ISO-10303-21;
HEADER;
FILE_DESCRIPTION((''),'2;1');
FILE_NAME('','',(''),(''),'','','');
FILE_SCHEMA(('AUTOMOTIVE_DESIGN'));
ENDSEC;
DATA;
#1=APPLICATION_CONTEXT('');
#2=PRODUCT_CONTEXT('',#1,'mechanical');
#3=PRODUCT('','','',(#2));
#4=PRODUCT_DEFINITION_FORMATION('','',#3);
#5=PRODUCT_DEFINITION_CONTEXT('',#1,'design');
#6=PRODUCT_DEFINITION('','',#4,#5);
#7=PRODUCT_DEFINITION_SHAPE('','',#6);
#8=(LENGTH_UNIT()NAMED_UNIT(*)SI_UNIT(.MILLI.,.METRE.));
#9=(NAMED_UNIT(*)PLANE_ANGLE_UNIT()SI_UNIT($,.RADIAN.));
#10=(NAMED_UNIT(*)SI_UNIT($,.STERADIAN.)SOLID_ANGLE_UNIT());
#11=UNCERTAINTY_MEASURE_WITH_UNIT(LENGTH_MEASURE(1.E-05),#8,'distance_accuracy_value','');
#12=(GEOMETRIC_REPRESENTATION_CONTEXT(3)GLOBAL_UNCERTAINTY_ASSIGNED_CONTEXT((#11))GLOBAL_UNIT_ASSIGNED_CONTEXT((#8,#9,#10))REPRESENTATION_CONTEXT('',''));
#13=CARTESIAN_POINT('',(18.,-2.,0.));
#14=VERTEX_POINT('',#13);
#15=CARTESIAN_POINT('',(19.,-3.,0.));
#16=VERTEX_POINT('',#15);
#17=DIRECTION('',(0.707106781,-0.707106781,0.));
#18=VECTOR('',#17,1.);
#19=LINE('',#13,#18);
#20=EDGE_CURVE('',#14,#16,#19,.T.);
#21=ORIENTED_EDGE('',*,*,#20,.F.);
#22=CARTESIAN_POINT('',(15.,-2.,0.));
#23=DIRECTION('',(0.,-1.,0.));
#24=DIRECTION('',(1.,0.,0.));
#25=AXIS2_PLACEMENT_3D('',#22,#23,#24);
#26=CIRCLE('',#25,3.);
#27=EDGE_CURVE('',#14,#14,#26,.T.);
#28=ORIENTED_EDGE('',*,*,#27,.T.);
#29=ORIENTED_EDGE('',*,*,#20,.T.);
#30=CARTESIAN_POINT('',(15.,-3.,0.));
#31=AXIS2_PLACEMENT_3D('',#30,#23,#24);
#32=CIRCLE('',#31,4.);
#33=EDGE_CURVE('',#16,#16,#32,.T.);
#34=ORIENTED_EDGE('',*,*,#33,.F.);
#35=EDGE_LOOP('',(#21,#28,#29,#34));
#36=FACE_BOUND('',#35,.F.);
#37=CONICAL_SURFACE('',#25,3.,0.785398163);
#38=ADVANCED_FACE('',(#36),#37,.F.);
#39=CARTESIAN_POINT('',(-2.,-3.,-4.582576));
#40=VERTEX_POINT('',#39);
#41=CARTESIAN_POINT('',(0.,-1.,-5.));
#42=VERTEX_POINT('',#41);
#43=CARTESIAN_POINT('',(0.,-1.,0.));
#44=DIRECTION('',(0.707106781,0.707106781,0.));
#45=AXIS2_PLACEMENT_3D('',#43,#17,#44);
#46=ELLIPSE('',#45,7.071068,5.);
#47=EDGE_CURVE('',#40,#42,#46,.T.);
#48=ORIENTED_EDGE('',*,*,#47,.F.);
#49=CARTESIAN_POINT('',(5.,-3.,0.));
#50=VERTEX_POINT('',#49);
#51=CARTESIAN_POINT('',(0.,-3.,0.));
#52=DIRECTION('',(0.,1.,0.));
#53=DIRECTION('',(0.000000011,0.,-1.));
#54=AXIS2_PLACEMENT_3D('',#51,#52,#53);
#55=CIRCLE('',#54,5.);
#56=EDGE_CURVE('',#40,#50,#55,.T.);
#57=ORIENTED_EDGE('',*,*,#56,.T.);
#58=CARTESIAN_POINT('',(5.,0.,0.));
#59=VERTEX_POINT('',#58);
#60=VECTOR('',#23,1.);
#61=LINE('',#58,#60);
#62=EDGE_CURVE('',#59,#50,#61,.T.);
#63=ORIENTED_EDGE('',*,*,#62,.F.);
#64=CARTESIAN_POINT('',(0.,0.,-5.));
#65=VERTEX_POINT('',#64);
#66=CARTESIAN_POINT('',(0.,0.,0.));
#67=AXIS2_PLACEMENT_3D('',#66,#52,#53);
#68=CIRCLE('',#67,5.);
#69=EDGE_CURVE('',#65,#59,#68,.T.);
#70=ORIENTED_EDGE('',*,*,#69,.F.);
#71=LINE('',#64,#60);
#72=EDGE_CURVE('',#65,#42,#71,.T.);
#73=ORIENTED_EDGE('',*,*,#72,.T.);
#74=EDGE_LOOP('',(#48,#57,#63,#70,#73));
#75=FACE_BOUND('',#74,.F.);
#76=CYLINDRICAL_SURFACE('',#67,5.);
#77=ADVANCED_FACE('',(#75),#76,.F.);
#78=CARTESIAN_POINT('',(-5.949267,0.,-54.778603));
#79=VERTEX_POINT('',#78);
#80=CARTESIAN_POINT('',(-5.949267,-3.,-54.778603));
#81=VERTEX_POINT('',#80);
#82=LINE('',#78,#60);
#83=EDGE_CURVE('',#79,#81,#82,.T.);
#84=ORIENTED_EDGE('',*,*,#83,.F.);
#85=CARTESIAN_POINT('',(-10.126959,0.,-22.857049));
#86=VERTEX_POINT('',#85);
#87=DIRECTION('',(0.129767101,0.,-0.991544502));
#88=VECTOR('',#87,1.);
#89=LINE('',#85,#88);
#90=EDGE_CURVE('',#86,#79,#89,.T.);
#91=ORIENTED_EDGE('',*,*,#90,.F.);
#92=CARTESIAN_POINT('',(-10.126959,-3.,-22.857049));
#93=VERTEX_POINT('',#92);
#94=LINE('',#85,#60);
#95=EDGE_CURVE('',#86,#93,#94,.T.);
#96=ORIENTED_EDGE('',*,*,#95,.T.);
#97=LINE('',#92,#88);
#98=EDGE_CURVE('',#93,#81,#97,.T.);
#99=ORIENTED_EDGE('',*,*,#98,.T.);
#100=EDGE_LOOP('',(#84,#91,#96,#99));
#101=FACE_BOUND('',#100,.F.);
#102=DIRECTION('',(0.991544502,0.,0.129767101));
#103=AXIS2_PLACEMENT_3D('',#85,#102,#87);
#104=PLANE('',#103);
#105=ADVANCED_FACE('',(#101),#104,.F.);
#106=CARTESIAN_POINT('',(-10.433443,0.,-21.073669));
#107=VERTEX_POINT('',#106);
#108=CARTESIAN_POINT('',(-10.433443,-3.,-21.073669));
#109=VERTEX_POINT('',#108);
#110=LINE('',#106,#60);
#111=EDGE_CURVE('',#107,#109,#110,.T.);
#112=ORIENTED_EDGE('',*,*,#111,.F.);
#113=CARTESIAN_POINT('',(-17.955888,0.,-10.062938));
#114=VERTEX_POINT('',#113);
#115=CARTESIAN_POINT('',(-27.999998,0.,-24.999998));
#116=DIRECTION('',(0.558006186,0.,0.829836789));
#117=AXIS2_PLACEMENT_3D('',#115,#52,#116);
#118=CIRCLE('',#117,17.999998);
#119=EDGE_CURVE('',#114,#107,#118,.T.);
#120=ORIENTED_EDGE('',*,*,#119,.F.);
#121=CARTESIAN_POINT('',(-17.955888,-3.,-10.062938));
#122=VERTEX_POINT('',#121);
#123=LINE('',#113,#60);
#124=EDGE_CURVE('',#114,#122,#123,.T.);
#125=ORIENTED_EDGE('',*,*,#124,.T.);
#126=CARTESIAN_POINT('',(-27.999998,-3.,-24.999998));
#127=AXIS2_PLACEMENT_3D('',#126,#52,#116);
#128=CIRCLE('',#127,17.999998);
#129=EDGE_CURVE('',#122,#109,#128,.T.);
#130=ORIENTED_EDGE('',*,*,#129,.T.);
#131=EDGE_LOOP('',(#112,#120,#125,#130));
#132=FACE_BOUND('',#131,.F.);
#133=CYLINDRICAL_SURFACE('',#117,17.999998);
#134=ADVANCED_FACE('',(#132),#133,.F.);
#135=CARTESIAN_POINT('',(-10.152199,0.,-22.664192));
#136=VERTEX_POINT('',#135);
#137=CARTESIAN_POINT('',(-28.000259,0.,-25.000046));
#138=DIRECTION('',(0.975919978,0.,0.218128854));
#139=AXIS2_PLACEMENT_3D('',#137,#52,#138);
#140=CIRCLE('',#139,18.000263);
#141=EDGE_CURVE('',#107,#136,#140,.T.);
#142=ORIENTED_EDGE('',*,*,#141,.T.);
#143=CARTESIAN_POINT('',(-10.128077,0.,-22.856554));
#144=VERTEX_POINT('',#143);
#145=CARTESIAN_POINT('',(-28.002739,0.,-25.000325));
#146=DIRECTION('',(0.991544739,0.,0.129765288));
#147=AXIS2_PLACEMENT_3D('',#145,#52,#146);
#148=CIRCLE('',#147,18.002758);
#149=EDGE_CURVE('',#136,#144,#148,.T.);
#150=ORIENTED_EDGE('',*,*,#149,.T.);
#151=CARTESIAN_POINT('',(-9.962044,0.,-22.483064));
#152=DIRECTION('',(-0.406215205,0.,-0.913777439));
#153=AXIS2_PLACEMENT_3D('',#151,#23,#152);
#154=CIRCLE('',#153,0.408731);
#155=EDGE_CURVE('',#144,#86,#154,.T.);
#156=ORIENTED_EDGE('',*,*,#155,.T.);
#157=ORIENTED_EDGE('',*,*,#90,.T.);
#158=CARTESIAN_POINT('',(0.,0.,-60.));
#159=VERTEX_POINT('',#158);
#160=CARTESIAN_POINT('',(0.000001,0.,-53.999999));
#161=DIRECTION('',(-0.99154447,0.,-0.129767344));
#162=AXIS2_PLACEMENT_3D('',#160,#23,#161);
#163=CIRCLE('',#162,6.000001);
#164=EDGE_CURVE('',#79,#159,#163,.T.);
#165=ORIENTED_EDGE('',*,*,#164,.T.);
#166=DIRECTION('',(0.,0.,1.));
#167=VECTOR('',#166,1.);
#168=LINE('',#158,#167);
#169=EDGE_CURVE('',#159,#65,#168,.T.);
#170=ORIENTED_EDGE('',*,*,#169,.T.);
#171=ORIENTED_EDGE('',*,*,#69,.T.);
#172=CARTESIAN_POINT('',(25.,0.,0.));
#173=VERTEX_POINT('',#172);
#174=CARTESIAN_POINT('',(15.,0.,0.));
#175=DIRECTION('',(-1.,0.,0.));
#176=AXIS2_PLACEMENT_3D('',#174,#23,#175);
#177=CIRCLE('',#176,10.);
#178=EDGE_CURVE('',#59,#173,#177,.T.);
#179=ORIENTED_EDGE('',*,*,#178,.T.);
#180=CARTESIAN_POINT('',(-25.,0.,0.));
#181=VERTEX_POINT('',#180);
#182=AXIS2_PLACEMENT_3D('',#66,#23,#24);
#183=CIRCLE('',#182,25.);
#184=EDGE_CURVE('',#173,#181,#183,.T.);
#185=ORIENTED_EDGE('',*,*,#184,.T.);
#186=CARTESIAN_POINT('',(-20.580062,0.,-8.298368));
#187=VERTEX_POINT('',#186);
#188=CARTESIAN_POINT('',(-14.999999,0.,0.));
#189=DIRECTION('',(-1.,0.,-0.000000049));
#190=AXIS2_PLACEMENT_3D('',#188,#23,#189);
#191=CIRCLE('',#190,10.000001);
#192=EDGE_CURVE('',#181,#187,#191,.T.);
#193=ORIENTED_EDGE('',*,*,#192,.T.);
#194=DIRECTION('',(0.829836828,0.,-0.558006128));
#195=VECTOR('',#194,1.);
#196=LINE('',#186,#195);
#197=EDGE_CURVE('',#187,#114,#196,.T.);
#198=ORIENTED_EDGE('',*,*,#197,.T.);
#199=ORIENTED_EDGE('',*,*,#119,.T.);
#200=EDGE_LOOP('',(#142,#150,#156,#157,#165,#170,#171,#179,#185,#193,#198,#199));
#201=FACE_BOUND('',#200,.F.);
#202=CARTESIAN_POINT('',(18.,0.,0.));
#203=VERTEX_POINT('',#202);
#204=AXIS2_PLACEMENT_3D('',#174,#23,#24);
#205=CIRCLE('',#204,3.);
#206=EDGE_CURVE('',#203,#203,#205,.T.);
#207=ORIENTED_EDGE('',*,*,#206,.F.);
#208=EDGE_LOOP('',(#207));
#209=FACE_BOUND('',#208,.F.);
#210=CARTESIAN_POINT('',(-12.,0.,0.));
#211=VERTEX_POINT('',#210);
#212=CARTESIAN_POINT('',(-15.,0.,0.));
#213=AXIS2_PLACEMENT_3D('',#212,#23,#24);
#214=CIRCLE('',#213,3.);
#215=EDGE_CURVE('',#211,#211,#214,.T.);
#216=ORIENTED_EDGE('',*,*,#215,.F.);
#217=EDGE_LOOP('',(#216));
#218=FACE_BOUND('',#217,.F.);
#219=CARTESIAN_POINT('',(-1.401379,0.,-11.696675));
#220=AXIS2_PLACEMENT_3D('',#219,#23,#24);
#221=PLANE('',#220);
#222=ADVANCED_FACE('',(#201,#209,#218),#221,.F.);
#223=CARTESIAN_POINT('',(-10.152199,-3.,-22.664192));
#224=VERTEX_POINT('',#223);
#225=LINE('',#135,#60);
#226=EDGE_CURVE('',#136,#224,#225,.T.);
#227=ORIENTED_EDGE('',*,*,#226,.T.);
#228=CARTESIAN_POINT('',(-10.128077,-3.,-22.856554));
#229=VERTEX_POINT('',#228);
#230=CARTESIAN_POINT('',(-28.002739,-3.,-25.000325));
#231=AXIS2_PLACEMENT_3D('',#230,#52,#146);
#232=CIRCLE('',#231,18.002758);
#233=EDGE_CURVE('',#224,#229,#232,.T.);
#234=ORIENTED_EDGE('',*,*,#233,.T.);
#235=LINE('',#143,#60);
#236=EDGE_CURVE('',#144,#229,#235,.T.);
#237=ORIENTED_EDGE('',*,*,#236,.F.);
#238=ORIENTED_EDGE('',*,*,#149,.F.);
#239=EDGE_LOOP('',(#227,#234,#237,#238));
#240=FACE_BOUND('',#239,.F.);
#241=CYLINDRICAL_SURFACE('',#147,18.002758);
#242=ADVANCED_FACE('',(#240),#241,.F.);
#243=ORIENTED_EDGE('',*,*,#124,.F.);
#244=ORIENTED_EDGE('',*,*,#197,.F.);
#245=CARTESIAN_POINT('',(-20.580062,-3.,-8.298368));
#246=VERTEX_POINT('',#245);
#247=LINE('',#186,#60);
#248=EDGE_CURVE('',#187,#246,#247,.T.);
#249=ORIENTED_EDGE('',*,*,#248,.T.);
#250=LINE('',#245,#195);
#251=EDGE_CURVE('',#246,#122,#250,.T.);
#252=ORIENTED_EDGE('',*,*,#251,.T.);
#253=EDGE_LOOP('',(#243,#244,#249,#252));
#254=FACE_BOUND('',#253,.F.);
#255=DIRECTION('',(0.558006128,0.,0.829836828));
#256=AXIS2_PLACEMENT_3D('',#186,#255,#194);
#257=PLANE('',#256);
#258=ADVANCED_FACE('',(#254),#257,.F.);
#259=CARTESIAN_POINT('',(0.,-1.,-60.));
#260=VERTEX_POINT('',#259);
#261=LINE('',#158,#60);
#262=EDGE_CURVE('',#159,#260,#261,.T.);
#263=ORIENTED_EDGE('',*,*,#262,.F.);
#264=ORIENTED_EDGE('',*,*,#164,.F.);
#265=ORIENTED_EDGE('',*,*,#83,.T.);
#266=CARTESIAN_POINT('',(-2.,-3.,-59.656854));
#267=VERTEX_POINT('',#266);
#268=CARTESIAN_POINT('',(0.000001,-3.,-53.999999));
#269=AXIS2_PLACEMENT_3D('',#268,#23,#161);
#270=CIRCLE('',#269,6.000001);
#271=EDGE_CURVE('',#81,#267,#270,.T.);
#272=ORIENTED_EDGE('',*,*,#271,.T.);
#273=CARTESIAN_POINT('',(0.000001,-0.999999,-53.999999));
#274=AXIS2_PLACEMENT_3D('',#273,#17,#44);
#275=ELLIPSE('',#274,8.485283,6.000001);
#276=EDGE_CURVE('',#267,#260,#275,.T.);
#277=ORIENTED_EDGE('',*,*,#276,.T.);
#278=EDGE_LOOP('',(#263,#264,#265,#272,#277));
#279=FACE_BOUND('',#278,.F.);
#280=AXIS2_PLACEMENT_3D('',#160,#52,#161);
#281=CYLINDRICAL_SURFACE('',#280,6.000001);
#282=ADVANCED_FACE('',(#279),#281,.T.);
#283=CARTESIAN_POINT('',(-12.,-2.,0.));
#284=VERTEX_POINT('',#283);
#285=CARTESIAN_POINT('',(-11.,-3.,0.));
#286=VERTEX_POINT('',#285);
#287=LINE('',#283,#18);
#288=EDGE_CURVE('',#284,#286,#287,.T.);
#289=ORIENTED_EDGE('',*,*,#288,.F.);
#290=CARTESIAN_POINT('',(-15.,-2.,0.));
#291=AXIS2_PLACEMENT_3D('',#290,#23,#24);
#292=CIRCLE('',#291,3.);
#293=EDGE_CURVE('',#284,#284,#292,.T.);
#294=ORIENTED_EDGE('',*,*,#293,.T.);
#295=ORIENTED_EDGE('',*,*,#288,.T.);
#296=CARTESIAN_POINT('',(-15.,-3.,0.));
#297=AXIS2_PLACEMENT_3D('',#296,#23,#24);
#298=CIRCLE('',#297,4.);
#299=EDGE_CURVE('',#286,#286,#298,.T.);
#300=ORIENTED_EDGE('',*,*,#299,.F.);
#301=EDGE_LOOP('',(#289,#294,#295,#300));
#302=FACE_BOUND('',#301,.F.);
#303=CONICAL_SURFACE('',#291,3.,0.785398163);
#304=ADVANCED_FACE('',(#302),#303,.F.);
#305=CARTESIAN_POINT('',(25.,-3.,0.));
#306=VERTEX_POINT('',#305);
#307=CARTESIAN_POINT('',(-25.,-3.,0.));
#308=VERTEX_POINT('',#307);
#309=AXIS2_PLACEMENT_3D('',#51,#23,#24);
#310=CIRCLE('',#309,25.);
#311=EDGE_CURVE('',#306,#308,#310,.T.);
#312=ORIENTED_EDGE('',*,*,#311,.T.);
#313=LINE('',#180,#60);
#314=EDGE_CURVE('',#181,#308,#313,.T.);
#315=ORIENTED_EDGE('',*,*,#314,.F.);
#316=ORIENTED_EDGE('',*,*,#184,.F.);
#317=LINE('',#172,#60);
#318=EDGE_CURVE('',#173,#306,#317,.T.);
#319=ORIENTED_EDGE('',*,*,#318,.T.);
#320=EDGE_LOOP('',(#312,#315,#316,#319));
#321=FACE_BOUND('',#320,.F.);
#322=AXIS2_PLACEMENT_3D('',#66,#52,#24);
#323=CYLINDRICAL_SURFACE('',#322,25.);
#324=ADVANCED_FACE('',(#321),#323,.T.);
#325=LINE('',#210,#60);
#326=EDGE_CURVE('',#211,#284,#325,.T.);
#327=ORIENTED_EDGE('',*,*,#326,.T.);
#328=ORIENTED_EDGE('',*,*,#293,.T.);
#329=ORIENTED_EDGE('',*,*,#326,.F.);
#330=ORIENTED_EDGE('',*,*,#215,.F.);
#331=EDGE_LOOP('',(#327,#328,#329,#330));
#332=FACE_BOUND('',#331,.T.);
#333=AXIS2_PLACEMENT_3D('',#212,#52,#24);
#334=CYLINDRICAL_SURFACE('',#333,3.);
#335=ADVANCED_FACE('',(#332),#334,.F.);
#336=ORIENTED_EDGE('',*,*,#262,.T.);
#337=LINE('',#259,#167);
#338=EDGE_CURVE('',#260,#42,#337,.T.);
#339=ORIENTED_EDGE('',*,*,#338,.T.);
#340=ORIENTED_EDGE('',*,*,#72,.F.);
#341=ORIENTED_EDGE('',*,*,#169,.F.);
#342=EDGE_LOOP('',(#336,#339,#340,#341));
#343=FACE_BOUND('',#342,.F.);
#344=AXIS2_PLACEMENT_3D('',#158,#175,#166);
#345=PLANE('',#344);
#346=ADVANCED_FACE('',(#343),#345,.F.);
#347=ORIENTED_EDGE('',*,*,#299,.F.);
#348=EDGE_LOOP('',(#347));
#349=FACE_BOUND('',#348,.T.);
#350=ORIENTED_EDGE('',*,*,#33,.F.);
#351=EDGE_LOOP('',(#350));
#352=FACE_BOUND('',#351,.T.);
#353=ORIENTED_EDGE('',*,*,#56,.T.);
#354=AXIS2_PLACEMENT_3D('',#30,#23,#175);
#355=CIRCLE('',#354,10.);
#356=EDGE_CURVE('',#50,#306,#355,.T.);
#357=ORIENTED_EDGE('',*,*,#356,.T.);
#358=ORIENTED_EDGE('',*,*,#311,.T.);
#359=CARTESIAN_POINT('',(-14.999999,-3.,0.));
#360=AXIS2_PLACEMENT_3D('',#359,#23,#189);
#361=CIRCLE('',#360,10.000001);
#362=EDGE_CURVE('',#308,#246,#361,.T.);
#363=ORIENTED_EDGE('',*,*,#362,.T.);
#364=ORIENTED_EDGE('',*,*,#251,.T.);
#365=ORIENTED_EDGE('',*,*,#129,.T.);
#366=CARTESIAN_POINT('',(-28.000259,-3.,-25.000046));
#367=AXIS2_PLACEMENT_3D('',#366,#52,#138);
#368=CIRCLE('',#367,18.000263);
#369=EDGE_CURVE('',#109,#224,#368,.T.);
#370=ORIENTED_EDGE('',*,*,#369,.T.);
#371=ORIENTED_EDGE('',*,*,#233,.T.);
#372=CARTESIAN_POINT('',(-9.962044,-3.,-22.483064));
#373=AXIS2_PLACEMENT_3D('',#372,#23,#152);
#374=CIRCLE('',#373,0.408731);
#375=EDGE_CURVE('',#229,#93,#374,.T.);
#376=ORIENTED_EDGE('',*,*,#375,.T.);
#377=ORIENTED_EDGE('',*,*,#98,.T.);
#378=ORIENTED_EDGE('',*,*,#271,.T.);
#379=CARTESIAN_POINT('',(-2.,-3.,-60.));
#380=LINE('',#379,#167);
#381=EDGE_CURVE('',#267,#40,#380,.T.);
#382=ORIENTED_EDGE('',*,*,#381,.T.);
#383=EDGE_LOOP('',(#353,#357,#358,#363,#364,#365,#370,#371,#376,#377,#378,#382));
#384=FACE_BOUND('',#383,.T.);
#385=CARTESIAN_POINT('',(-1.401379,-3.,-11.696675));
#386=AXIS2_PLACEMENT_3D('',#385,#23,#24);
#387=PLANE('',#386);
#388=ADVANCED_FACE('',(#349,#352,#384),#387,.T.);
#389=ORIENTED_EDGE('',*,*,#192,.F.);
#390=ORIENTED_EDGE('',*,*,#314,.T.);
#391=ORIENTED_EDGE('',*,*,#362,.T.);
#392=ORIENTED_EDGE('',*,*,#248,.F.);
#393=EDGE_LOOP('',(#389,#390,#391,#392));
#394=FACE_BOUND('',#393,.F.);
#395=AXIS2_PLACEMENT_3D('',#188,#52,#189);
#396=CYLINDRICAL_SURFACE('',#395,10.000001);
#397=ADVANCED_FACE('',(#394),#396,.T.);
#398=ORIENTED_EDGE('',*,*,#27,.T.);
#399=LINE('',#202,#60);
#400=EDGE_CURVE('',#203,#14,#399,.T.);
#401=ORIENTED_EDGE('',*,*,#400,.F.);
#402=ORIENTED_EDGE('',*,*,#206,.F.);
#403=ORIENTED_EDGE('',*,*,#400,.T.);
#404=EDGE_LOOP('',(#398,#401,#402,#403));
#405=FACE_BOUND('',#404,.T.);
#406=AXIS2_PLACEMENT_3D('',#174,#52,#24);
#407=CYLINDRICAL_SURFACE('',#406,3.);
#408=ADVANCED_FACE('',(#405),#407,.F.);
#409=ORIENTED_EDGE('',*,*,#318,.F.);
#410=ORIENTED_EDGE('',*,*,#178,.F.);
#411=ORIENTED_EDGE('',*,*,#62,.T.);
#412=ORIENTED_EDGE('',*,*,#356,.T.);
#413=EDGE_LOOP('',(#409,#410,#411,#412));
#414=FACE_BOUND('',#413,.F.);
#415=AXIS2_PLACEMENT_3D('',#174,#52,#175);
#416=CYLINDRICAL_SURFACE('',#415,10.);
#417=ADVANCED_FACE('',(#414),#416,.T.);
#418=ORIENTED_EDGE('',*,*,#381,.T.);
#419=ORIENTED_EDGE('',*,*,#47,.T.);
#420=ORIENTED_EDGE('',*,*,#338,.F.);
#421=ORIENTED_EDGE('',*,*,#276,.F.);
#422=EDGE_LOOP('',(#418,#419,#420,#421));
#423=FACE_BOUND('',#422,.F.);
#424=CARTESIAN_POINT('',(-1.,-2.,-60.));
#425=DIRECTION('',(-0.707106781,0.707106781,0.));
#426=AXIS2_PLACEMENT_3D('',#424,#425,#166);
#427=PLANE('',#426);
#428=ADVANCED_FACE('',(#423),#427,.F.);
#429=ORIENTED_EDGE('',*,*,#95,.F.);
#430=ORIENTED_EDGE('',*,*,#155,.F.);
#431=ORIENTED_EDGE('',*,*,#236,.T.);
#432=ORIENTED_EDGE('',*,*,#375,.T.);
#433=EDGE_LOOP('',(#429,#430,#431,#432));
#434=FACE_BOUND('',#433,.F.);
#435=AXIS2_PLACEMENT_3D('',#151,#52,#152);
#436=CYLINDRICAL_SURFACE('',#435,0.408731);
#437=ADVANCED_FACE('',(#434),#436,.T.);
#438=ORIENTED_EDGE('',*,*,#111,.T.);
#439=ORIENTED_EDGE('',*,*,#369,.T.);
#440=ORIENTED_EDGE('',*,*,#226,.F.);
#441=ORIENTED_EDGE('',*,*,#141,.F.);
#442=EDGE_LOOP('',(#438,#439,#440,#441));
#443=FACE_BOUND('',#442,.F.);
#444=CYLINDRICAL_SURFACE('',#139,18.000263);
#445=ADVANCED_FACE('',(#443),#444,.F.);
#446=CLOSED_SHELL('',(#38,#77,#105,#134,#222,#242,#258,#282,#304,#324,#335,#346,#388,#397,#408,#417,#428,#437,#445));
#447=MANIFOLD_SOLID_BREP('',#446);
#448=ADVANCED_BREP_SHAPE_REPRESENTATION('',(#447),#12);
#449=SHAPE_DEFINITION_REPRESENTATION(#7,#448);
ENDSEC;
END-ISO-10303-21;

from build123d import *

# Parameters (mm, degrees)
F0_R     = 3
F1_DEPTH = 3
F2_SIZE  = 1
F3_SIZE  = 2


with BuildPart() as f1:
    # F0 (on Front) → F1 (new body)
    with BuildSketch(Plane.XZ):
        with BuildLine():
            ThreePointArc((5, 0), (15, -10), (25, 0))
            ThreePointArc((25, 0), (0, 25), (-25, 0))
            ThreePointArc((-25, 0), (-23.826115, -4.701031), (-20.580062, -8.298368))
            Line((-20.580062, -8.298368), (-17.955888, -10.062938))
            ThreePointArc((-17.955888, -10.062938), (-13.137419, -14.846001), (-10.433443, -21.073669))
            Line((-10.433443, -21.073669), (-10.024779, -22.902048))
            ThreePointArc((-10.024779, -22.902048), (-10.075894, -22.879606), (-10.126959, -22.857049))
            Line((-10.126959, -22.857049), (-5.949267, -54.778603))
            ThreePointArc((-5.949267, -54.778603), (-3.957801, -58.509524), (0, -60))
            Line((0, -60), (0, -57))
            Line((0, -57), (0, -5))
            ThreePointArc((0, -5), (-3.535534, 3.535534), (5, 0))
        make_face()
        with Locations((-15, 0)):
            Circle(F0_R, mode=Mode.SUBTRACT)
        with Locations((15, 0)):
            Circle(F0_R, mode=Mode.SUBTRACT)
        with BuildLine():
            Line((-10.024779, -22.902048), (-10.433443, -21.073669))
            ThreePointArc((-10.433443, -21.073669), (-10.274972, -21.865774), (-10.152199, -22.664192))
            Line((-10.152199, -22.664192), (-10.126959, -22.857049))
            ThreePointArc((-10.126959, -22.857049), (-10.075894, -22.879606), (-10.024779, -22.902048))
        make_face()
        with BuildLine():
            Line((-10.126959, -22.857049), (-10.152199, -22.664192))
            ThreePointArc((-10.152199, -22.664192), (-10.139879, -22.760341), (-10.128077, -22.856554))
            ThreePointArc((-10.128077, -22.856554), (-10.127518, -22.856802), (-10.126959, -22.857049))
        make_face()
    extrude(amount=F1_DEPTH)

    # F2
    f2_edges = [f1.edges().sort_by_distance(p)[0] for p in [
        (-18, -3, 0),
        (12, -3, 0),
    ]]
    chamfer(f2_edges, length=F2_SIZE)

    # F3
    f3_edges = [f1.edges().sort_by_distance(p)[0] for p in [
        (0, -3, -32.5),
    ]]
    chamfer(f3_edges, length=F3_SIZE)


solid = f1.part
